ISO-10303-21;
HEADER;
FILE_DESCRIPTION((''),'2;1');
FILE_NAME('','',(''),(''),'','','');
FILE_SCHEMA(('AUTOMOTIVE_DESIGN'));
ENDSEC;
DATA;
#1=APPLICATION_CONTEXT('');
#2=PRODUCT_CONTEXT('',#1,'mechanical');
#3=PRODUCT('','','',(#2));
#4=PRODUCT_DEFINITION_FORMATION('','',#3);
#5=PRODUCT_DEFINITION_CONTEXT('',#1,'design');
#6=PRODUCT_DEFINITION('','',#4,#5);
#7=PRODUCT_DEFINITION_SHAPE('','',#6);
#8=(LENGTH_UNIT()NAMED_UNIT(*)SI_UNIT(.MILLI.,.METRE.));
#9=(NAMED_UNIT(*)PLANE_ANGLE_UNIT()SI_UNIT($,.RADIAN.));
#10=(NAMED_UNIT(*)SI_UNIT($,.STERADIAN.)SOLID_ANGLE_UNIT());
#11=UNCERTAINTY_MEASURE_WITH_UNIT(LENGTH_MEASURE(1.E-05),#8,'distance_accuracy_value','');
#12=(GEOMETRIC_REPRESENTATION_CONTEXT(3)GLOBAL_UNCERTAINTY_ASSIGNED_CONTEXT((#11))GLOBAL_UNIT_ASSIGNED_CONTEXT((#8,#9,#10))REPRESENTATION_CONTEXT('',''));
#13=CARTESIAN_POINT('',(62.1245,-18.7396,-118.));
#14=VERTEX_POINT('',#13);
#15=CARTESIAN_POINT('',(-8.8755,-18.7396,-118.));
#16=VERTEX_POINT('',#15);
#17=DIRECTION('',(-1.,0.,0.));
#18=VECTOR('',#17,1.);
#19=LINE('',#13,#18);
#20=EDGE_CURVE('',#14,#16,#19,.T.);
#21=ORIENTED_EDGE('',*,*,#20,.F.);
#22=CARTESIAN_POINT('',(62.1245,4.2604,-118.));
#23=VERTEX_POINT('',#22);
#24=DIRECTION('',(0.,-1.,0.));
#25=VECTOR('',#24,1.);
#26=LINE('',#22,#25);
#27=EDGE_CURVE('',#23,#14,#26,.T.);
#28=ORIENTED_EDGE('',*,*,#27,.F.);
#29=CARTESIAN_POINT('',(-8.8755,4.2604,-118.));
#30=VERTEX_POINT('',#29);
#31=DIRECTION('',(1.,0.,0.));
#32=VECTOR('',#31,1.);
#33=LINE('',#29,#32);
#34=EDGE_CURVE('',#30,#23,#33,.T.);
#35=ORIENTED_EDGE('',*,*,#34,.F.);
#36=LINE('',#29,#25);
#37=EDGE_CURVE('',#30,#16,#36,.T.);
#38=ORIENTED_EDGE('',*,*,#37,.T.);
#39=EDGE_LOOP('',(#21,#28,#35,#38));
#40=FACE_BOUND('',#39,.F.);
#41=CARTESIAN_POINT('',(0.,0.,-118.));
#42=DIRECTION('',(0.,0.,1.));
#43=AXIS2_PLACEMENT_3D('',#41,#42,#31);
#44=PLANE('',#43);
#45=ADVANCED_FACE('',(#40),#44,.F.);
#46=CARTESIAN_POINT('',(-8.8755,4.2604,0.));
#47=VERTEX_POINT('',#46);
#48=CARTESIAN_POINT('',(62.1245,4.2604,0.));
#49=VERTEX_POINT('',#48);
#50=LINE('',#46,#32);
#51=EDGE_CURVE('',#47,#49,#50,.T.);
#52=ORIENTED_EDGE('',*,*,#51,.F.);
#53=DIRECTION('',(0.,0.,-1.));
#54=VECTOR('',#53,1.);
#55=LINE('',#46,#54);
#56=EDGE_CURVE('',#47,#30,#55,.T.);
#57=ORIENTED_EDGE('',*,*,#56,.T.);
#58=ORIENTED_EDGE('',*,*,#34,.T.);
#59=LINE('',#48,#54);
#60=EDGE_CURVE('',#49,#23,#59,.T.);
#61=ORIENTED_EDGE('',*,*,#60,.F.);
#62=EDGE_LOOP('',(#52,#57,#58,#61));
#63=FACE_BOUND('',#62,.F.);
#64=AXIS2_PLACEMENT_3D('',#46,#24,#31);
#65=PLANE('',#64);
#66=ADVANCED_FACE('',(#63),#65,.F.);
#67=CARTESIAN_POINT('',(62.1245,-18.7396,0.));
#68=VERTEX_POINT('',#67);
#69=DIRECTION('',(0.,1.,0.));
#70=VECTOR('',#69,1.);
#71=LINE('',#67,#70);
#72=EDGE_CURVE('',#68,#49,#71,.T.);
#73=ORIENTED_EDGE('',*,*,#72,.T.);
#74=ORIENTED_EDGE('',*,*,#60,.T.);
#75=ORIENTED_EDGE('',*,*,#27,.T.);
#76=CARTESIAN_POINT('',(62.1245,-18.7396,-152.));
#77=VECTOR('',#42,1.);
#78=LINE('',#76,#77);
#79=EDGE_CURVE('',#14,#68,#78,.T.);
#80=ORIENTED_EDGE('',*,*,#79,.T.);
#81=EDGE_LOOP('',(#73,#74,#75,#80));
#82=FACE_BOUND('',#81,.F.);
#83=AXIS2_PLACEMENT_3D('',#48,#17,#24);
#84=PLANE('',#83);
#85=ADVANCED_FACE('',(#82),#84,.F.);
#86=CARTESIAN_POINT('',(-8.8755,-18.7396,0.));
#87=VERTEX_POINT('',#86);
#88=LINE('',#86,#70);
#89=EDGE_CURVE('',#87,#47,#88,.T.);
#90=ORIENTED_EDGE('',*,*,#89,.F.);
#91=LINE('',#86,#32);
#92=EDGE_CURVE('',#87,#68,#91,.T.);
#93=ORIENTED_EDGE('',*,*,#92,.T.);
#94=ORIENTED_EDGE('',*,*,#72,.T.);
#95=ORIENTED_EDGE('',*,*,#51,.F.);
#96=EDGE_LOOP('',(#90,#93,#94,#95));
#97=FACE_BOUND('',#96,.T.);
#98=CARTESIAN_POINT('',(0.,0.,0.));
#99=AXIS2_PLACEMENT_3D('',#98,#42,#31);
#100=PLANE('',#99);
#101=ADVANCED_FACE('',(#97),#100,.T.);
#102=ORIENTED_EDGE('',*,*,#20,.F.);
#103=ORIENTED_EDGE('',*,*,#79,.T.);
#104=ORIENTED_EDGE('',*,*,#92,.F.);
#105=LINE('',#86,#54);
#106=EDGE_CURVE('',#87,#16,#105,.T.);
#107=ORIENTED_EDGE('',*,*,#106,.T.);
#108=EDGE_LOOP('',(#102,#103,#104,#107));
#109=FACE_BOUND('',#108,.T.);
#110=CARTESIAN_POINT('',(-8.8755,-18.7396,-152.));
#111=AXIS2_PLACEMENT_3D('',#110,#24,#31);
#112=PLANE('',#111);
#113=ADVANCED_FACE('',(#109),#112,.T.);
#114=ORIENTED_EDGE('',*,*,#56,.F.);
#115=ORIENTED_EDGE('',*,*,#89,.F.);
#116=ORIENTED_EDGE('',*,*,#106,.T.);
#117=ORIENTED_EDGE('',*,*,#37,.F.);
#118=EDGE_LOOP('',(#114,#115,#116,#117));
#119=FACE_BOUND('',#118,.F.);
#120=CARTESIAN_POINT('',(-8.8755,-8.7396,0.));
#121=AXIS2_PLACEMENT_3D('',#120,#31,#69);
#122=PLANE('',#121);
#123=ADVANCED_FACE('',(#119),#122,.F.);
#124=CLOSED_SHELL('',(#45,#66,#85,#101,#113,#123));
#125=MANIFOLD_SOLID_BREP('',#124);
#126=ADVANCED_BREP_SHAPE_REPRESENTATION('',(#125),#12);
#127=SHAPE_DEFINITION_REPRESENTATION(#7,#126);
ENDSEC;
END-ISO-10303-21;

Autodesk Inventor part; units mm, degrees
ref_plane "YZ Plane" through (0, 0, 0) normal (1, 0, 0) x (0, 1, 0)
ref_plane "XZ Plane" through (0, 0, 0) normal (0, 1, 0) x (-1, 0, 0)
ref_plane "XY Plane" through (0, 0, 0) normal (0, 0, 1) x (1, 0, 0)
sketch "Sketch1" plane through (0, 0, 0) normal (0, 0, 1) x (1, 0, 0)
  line L0 (-8.8755, 3.2604) -> (35.1245, 3.2604)
  line L1 (35.1245, 3.2604) -> (35.1245, -18.7396)
  line L2 (35.1245, -18.7396) -> (-8.8755, -18.7396)
  line L3 (-8.8755, -18.7396) -> (-8.8755, 3.2604)
  point P0 (0, 0)
  dimension "d0" = 44
  dimension "d1" = 22
extrude "Extrusion1" add sketch "Sketch1" against normal blind 152
sketch "Sketch2" plane through (35.1245, -18.7396, 0) normal (1, 0, 0) x (0, 0, -1)
  line L0 (152, 22) -> (152, 0) projected
  line L1 (0, 22) -> (152, 22) projected
  line L2 (0, 0) -> (152, 0) projected
  line L3 (0, 0) -> (0, 22) projected
  point P0 (0, 18.7396)
extrude "Extrusion2" add sketch "Sketch2" along normal blind 20
sketch "Sketch3" plane through (-8.8755, -18.7396, -152) normal (0, -1, 0) x (1, 0, 0)
  line L0 (0, 152) -> (64, 152) projected
  line L1 (0, 0) -> (64, 0) projected
  line L2 (64, 0) -> (64, 152) projected
  line L3 (64, 0) -> (71, 0)
  line L4 (71, 0) -> (71, 152)
  line L5 (71, 152) -> (64, 152)
  line L6 (64, 152) -> (64, 0)
  point P0 (8.8755, 152)
  dimension "d6" = 64
  dimension "d7" = 7
extrude "Extrusion3" add sketch "Sketch3" against normal up to surface (22 mm away)
sketch "Sketch4" plane through (-8.8755, -18.7396, -152) normal (0, -1, 0) x (1, 0, 0)
  line L0 (0, 152) -> (0, 0) projected
  line L1 (0, 152) -> (71, 152) projected
  line L2 (71, 0) -> (71, 152) projected
  line L3 (0, 152) -> (71, 152)
  line L4 (71, 152) -> (71, 34)
  line L5 (71, 34) -> (0, 34)
  line L6 (0, 34) -> (0, 152)
  point P0 (8.8755, 152)
  dimension "d10" = 152
  dimension "d11" = 118
extrude "Extrusion4" cut sketch "Sketch4" against normal blind 10 keep common part
sketch "Sketch5" plane through (0, 0, 0) normal (0, 0, 1) x (1, 0, 0)
  line L0 (62.1245, -18.7396) -> (62.1245, -8.7396) projected
  line L1 (-8.8755, -18.7396) -> (62.1245, -18.7396) projected
  line L2 (62.1245, -18.7396) -> (-8.8755, -18.7396)
  line L3 (-8.8755, -18.7396) -> (-8.8755, 4.2604)
  line L4 (-8.8755, 4.2604) -> (62.1245, 4.2604)
  line L5 (62.1245, 4.2604) -> (62.1245, -18.7396)
  line L6 (-8.8755, -8.7396) -> (62.1245, -8.7396) projected
  point P0 (0, 0)
  dimension "d14" = 10
  dimension "d15" = 23
extrude "Extrusion5" add sketch "Sketch5" against normal up to surface (118 mm away) contours L6 L3 L4 L5
properties part number "LiPo3000mAH"
